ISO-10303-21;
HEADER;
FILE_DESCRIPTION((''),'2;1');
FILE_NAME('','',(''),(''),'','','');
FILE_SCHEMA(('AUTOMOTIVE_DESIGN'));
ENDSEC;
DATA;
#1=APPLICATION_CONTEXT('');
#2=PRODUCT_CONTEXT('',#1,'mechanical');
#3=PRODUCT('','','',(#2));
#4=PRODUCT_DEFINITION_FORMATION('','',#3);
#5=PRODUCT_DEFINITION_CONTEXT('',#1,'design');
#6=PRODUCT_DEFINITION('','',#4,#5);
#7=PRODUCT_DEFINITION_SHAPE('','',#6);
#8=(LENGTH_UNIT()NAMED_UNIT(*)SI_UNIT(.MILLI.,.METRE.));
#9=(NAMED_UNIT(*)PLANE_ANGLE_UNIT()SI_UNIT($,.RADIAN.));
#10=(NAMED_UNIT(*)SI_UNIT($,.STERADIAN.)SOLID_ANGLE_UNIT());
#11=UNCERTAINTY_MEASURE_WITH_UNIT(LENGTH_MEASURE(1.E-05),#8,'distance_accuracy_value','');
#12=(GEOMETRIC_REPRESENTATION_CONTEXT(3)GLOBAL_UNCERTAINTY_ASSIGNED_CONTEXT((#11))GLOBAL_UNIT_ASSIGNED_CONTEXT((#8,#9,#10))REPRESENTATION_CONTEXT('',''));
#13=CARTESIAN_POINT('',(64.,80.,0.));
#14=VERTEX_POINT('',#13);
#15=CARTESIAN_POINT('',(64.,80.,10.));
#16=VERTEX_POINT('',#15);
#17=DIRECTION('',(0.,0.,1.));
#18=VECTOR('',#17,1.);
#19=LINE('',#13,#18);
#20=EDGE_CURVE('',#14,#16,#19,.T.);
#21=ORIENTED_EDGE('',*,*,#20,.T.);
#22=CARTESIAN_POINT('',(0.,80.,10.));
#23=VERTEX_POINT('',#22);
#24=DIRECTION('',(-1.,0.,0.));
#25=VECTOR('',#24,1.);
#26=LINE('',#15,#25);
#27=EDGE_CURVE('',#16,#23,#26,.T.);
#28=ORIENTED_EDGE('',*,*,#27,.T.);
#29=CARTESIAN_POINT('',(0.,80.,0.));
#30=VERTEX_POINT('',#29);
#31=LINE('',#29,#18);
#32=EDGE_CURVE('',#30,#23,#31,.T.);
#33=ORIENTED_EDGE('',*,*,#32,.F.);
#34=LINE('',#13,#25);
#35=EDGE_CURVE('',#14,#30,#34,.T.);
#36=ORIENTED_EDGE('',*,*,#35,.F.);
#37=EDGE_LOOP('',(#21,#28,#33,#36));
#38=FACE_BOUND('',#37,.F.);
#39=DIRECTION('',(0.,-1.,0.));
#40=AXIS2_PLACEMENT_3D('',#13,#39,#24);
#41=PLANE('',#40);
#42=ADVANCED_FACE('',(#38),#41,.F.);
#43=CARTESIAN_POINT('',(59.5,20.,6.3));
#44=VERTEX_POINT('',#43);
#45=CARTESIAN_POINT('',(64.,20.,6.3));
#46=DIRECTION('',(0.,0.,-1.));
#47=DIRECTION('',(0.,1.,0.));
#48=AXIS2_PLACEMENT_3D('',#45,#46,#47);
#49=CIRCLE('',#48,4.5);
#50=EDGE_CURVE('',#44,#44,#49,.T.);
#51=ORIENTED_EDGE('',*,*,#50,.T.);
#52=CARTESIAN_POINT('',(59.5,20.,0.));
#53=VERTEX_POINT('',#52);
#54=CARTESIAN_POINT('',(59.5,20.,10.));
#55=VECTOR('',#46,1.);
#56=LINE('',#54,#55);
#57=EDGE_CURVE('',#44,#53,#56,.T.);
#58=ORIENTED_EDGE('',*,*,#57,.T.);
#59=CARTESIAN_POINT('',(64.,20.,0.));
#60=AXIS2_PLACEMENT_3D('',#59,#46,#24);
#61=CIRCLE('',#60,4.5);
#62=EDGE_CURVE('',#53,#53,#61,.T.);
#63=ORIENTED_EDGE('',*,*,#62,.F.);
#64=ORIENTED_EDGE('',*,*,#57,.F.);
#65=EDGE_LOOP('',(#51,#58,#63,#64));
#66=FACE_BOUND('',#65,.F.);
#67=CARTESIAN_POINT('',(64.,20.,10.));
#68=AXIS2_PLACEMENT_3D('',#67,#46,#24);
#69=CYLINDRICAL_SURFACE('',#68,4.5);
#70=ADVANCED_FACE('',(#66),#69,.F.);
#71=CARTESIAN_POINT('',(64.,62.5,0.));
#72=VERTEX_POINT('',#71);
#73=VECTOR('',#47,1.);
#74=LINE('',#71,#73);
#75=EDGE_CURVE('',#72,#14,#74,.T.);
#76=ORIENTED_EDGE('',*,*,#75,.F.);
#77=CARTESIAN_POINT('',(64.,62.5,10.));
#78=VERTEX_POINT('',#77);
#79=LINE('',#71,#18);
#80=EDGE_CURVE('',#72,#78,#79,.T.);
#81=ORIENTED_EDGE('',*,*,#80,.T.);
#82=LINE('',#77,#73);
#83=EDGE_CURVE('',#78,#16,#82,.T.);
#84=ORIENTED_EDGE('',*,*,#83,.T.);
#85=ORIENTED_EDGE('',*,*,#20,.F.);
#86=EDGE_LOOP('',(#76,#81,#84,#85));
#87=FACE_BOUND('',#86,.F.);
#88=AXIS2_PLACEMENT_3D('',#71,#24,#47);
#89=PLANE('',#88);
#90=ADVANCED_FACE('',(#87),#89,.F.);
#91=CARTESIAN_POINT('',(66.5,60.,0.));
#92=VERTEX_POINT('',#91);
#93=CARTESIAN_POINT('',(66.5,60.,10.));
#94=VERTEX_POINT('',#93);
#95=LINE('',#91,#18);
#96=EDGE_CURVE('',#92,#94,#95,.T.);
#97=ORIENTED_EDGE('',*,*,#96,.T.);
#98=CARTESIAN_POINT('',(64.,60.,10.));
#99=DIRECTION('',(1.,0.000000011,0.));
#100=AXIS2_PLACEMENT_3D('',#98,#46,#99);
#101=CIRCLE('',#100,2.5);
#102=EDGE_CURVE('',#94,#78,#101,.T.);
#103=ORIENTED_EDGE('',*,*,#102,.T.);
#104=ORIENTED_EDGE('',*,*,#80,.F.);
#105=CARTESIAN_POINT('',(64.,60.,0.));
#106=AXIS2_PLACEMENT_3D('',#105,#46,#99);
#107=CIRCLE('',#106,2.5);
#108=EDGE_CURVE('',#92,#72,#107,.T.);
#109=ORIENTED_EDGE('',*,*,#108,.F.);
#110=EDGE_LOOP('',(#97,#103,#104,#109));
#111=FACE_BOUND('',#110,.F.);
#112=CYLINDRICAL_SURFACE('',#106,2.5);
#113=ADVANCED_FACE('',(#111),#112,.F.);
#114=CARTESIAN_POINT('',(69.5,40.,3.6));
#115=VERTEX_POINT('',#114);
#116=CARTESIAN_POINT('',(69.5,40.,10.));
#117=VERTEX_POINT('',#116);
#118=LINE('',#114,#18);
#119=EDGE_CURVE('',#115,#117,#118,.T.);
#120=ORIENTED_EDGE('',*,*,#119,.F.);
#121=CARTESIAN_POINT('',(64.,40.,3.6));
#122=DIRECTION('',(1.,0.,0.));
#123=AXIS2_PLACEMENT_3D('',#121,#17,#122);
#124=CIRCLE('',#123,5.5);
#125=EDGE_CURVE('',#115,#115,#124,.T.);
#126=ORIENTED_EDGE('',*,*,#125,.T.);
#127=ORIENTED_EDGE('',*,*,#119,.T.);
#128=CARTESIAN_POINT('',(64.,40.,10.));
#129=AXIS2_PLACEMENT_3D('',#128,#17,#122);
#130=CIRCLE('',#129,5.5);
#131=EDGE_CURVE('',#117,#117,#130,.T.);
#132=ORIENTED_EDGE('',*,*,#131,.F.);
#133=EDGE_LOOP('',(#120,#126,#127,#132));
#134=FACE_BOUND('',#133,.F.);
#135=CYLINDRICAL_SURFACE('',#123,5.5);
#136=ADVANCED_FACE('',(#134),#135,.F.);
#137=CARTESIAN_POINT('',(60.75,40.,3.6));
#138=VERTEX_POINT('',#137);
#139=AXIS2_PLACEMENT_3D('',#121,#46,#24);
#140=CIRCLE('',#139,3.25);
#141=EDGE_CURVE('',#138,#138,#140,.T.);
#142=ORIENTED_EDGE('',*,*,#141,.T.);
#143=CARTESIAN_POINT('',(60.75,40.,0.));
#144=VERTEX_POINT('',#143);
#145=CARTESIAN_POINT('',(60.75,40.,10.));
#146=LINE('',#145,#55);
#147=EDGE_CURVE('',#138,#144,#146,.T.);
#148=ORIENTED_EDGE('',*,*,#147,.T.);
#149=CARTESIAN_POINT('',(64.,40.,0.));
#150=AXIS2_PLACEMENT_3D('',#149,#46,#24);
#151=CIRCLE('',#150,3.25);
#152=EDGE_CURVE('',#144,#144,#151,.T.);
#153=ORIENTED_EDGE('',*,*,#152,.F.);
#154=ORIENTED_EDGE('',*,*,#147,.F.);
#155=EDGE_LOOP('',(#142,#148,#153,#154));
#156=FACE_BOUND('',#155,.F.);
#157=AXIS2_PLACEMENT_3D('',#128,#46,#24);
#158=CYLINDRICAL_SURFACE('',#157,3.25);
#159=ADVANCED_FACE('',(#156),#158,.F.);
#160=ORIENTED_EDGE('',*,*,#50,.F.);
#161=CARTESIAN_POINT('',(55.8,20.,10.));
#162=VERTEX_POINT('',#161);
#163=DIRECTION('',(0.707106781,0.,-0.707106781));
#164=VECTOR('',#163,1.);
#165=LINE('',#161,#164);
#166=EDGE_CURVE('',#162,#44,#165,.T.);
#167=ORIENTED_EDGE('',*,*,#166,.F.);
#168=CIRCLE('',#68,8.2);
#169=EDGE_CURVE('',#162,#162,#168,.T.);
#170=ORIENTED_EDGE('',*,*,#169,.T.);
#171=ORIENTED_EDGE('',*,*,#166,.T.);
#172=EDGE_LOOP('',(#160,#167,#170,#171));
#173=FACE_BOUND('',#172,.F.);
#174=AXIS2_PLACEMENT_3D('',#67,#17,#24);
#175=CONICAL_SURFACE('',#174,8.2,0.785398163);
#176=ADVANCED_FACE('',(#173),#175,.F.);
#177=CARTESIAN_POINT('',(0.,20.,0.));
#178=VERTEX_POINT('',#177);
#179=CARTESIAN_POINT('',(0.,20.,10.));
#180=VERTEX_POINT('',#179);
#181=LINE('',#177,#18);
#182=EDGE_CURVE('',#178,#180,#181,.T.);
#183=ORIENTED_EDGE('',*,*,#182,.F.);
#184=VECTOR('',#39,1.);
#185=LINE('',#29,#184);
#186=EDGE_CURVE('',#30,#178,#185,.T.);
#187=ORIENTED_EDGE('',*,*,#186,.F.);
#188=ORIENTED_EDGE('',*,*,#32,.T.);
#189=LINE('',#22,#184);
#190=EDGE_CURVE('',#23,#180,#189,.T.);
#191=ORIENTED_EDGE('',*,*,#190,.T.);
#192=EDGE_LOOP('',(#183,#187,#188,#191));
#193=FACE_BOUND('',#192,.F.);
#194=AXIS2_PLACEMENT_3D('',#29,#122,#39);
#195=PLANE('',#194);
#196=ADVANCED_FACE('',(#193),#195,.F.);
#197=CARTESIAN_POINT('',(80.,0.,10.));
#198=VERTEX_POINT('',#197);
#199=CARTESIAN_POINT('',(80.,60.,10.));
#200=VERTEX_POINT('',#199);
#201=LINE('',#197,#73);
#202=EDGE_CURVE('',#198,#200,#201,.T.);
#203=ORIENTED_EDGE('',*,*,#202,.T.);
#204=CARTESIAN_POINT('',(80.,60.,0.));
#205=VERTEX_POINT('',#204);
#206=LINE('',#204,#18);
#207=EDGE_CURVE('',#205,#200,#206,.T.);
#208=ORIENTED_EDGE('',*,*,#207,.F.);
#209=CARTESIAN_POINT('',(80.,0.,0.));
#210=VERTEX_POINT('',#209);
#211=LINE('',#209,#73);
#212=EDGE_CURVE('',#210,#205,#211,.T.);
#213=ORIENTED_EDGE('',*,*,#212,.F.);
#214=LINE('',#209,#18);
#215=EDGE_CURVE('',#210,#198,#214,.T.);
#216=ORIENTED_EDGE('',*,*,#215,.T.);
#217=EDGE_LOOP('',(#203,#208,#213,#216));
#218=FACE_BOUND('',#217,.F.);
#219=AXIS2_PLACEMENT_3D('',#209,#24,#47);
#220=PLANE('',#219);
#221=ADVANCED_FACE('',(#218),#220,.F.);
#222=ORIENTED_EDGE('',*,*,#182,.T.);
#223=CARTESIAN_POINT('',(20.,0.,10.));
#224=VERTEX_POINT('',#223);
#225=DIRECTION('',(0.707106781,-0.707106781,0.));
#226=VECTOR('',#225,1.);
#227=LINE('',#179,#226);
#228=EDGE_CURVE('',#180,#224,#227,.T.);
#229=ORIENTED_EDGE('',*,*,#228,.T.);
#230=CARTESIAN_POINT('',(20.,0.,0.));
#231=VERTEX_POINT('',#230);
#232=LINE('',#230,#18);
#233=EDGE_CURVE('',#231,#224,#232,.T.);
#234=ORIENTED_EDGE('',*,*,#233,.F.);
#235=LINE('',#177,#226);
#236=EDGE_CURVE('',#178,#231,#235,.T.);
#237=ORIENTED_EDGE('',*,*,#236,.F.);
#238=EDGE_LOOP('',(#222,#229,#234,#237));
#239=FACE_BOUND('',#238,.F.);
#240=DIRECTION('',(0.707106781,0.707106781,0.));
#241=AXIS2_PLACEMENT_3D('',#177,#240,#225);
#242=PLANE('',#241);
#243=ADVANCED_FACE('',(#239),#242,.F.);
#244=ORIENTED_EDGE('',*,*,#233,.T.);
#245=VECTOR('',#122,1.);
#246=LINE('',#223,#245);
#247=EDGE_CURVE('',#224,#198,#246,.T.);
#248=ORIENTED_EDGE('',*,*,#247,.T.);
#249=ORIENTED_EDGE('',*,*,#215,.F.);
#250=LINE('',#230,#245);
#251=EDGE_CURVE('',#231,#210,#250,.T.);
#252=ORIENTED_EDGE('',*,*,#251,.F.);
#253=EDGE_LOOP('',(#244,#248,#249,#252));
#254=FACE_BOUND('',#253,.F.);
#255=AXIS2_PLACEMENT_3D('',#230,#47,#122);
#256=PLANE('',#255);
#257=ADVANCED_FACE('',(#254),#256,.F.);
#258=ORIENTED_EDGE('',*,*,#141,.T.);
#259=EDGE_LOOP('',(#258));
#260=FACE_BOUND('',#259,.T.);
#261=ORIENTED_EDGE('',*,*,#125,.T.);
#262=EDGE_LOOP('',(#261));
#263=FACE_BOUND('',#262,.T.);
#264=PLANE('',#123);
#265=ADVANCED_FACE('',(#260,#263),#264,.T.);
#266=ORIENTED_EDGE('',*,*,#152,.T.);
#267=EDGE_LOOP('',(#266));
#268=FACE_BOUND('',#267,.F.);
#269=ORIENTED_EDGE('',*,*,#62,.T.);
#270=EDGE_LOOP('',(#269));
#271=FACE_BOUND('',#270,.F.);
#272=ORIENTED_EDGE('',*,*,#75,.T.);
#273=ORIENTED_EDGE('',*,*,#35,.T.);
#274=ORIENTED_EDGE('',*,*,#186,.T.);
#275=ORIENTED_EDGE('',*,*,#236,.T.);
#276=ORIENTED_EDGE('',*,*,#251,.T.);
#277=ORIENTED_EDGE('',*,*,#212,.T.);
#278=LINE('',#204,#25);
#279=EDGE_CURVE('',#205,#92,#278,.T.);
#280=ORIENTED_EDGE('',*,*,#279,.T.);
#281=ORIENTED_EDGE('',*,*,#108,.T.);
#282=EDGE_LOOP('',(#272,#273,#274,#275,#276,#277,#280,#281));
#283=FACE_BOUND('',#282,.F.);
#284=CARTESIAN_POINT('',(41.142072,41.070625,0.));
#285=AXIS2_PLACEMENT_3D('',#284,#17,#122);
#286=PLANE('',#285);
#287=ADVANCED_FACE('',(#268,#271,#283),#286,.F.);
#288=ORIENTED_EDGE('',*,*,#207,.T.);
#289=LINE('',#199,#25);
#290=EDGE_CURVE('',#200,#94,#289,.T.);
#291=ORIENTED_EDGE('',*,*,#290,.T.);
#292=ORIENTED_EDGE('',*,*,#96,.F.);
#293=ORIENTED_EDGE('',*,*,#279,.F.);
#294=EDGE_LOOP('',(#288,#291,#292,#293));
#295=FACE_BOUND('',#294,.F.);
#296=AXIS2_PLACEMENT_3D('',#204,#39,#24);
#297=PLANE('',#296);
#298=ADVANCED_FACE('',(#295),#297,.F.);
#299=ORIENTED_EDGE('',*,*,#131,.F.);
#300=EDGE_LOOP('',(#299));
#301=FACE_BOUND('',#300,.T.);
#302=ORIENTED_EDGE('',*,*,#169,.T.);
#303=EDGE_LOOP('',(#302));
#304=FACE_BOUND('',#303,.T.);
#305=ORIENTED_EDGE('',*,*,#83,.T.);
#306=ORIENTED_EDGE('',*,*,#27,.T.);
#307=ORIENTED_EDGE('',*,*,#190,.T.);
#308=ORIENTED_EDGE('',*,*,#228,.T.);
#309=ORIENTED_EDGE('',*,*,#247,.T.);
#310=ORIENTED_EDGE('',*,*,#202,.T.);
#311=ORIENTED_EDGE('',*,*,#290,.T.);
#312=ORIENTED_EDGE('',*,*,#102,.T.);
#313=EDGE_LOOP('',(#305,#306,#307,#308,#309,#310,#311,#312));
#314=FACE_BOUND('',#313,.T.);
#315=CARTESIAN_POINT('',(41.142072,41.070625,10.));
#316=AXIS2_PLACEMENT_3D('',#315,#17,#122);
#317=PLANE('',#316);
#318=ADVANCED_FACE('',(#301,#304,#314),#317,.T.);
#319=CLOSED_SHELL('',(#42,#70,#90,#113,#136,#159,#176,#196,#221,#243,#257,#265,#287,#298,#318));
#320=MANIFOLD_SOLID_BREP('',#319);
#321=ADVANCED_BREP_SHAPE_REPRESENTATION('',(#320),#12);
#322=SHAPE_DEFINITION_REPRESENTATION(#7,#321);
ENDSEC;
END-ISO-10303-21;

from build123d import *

# Parameters (mm, degrees)
F1_DEPTH       = 10
F3_D           = 9
F3_CSINK_D     = 16.4
F3_CSINK_ANGLE = 90
F4_D           = 6.5
F4_CBORE_D     = 11
F4_CBORE_DEPTH = 6.4


with BuildPart() as f1:
    # F0 (on Top) → F1 (new body)
    with BuildSketch(Plane.XY):
        with BuildLine():
            Line((0, 20), (20, 0))
            Line((20, 0), (80, 0))
            Line((80, 0), (80, 60))
            Line((80, 60), (66.5, 60))
            ThreePointArc((66.5, 60), (62.232233, 58.232233), (64, 62.5))
            Line((64, 62.5), (64, 80))
            Line((64, 80), (0, 80))
            Line((0, 80), (0, 20))
        make_face()
    extrude(amount=F1_DEPTH)

    # F3 (through all)
    with Locations(Plane.XY.offset(10)):
        with Locations((64, 20)):
            CounterSinkHole(F3_D / 2, F3_CSINK_D / 2, counter_sink_angle=F3_CSINK_ANGLE)

    # F4 (through all)
    with Locations(Plane.XY.offset(10)):
        with Locations((64, 40)):
            CounterBoreHole(F4_D / 2, F4_CBORE_D / 2, F4_CBORE_DEPTH)


solid = f1.part
